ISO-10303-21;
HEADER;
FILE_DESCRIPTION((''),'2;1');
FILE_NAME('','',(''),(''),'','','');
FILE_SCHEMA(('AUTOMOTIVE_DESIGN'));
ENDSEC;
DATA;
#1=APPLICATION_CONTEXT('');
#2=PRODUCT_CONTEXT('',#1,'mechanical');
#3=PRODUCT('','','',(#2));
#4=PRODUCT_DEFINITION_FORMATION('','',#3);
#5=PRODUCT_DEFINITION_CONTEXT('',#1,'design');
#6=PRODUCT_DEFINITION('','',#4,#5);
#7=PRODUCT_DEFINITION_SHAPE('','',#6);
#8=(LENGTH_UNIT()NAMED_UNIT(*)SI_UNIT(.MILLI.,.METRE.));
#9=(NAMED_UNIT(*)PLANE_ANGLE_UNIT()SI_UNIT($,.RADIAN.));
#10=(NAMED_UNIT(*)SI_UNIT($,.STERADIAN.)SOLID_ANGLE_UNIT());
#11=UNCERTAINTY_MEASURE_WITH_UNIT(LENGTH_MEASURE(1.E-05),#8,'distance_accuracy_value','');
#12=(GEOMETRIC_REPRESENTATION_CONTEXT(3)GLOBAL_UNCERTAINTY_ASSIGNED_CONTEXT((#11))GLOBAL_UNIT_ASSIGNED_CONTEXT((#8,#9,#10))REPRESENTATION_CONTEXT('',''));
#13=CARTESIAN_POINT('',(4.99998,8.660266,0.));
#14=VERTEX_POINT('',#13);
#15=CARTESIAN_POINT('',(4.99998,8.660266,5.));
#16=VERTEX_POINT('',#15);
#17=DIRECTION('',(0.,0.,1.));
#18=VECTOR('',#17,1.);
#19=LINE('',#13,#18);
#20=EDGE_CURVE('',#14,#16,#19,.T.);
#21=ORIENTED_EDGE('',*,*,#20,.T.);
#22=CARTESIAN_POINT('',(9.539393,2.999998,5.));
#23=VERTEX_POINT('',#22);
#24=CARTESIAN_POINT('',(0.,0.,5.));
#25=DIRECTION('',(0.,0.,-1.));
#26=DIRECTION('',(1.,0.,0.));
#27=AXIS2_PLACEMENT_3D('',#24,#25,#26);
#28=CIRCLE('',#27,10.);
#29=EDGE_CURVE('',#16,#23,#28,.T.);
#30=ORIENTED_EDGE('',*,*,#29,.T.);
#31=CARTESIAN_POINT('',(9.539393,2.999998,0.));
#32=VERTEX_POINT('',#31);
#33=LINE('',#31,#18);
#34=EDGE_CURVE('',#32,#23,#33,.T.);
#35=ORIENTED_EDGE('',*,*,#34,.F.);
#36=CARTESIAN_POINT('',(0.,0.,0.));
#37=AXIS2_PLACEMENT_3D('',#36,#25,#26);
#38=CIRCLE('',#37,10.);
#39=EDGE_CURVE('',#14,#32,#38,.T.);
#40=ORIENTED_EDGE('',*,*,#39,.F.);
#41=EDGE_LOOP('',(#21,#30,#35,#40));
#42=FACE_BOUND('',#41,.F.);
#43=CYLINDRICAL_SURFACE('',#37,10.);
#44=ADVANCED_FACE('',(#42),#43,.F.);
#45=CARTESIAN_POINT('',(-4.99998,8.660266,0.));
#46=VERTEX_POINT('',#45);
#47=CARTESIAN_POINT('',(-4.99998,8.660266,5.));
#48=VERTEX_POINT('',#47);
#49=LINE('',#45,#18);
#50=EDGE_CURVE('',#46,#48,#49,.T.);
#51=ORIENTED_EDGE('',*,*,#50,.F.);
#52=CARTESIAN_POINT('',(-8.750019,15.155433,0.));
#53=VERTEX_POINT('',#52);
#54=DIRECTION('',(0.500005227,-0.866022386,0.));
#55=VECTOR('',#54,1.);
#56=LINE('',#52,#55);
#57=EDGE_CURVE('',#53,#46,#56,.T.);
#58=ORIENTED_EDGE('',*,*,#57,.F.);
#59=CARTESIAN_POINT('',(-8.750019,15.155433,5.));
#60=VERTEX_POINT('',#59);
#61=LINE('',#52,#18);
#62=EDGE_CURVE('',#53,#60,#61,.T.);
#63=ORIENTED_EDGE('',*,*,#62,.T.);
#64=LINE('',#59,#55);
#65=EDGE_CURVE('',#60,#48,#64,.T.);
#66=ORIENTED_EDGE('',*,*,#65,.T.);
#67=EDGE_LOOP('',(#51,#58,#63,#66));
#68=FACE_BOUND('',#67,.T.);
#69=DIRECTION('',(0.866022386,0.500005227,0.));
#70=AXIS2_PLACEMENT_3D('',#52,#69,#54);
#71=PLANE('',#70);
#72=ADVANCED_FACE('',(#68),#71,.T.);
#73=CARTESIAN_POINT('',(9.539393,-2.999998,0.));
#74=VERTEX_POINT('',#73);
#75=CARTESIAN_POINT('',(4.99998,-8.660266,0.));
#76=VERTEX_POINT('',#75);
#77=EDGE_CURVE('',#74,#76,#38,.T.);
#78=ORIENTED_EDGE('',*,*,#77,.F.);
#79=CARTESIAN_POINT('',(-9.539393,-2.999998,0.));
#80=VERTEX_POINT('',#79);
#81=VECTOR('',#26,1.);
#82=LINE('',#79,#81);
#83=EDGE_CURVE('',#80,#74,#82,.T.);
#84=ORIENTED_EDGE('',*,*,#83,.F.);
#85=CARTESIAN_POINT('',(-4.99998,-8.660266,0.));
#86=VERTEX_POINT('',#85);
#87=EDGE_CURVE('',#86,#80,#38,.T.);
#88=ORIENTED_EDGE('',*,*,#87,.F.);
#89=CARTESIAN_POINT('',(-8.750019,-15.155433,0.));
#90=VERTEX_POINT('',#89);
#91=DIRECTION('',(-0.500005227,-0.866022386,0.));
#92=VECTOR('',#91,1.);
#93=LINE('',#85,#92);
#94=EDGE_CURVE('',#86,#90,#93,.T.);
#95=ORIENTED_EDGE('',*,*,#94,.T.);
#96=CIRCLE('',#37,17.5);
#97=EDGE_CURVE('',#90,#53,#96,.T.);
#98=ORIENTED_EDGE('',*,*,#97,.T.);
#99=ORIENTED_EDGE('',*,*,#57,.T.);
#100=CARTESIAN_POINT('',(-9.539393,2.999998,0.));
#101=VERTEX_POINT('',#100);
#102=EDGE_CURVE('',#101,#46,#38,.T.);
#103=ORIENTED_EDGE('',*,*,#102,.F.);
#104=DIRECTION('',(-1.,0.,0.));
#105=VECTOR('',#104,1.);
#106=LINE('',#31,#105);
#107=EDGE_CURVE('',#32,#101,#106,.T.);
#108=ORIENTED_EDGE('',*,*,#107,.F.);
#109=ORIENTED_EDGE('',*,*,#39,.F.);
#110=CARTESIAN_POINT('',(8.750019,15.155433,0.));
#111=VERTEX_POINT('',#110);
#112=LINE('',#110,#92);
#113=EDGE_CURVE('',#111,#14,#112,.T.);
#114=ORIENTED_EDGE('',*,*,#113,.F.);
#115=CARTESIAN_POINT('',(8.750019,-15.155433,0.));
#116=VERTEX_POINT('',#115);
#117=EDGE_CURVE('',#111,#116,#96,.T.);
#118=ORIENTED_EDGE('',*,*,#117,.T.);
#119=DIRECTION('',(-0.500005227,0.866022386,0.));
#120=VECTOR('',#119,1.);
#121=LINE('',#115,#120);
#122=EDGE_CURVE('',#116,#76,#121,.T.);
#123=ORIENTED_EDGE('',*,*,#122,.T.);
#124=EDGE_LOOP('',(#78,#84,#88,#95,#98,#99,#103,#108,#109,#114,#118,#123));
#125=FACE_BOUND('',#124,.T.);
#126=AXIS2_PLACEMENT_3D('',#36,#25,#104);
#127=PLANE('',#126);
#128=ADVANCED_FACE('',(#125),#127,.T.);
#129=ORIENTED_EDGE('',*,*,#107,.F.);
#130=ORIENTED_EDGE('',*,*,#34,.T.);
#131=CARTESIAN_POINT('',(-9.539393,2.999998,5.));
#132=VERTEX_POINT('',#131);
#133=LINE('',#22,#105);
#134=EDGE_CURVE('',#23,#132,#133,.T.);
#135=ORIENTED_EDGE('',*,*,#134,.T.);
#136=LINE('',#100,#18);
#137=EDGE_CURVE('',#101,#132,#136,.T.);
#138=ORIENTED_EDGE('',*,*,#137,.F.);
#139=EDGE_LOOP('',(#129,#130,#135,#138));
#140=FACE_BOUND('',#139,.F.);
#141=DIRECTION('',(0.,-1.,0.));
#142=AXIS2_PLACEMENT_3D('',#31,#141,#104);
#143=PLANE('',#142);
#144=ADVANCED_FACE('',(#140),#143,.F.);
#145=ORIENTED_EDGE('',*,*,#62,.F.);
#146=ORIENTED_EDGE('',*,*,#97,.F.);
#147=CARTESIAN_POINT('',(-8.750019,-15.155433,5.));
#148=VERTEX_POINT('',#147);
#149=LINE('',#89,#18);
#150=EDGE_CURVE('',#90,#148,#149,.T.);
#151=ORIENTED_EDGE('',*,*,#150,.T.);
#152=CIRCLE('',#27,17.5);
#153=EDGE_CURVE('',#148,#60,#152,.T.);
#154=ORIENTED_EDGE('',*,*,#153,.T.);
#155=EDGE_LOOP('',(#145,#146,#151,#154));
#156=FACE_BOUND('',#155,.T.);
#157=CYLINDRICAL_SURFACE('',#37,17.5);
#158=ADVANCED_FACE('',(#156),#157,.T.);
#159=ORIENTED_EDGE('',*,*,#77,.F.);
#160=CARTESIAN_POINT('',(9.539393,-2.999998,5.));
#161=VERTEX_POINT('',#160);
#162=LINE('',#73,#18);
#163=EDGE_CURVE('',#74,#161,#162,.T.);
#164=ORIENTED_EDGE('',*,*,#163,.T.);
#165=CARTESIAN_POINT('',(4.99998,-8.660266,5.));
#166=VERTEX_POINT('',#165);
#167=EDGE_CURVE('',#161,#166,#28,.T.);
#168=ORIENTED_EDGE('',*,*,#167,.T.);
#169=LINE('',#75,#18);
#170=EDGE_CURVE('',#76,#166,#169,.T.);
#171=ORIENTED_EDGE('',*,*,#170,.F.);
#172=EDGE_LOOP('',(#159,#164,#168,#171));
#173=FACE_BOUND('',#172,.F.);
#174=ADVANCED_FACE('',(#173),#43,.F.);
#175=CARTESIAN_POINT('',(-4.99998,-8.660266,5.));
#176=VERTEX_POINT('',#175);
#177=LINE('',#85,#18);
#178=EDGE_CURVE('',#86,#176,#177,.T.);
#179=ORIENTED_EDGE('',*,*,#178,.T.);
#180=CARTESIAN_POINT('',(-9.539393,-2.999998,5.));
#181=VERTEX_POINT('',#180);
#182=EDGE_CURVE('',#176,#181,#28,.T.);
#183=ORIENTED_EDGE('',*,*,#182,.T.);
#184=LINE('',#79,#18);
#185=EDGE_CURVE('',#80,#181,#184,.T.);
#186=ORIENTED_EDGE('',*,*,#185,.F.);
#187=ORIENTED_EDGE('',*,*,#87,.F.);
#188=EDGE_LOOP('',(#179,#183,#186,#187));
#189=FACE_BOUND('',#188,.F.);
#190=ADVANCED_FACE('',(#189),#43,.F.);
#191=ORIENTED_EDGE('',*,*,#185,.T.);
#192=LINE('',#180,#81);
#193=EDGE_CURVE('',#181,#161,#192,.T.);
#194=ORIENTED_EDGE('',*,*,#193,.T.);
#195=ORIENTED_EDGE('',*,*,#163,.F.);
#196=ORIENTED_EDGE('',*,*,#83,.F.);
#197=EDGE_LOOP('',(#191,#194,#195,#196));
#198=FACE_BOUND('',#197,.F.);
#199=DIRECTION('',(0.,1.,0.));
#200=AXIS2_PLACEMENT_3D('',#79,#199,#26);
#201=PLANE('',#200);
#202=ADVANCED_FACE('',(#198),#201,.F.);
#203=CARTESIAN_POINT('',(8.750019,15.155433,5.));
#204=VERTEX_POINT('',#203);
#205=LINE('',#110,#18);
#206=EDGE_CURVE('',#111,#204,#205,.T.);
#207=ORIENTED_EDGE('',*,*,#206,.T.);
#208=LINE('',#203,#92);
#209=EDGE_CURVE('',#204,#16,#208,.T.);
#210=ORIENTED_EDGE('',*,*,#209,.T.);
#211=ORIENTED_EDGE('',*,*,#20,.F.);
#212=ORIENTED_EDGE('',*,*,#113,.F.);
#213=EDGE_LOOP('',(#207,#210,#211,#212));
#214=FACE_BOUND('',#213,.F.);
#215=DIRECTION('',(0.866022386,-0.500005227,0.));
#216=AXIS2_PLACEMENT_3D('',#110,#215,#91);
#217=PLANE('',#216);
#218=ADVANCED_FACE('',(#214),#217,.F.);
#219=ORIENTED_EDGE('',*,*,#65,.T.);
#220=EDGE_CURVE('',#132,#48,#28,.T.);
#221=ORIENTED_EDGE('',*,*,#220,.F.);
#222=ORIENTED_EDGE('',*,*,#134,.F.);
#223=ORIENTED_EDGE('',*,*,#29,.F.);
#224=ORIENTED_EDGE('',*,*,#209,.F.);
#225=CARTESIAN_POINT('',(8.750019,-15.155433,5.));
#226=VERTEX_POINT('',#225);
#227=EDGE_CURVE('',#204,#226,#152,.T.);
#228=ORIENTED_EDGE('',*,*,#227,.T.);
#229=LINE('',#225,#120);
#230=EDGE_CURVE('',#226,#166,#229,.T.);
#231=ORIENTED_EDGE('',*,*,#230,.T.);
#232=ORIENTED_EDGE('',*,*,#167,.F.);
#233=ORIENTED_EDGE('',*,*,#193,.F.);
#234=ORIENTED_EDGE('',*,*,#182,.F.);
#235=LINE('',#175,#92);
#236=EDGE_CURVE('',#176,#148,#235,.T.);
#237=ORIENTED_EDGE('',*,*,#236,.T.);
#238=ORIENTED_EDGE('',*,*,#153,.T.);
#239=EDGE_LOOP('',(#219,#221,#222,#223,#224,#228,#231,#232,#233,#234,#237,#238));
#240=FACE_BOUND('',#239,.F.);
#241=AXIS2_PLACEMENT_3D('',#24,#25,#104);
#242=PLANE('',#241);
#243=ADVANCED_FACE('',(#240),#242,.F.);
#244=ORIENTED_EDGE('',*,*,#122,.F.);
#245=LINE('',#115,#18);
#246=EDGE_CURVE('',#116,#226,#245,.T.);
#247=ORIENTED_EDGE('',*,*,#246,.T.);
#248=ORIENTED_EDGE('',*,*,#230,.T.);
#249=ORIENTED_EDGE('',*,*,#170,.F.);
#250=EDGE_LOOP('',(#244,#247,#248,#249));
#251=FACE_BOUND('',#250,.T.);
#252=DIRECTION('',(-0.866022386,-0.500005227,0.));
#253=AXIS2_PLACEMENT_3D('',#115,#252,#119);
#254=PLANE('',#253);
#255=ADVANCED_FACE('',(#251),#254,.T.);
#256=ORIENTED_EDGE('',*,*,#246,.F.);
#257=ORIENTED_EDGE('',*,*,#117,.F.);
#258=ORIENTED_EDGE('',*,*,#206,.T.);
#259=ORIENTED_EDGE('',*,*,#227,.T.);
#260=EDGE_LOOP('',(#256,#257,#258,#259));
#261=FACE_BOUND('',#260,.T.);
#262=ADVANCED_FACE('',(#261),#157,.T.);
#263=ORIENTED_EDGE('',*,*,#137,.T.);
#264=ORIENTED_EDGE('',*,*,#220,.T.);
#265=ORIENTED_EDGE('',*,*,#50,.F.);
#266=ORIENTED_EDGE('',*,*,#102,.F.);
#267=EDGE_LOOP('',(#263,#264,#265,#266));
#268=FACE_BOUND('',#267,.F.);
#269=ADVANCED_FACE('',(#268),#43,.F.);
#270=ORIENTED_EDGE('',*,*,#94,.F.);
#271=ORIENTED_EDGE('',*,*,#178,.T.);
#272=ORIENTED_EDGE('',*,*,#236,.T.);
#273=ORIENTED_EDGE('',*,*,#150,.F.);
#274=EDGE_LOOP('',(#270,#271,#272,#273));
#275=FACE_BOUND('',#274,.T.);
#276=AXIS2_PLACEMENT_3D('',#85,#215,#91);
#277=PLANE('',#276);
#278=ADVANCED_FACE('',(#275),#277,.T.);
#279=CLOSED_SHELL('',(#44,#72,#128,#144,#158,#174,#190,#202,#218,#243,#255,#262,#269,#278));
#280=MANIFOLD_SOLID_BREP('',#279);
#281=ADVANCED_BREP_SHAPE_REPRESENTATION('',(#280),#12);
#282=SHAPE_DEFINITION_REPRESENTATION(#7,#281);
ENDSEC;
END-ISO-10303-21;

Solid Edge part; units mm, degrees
sketch "Sketch1" plane through (0, 0, 0) normal (0, 0, 1) x (1, 0, 0)
  arc A0 (8.75, 15.1554) -> (8.75, -15.1554) centre (0, 0) cw
  line L0 (8.75, -15.1554) -> (5, -8.6603)
  arc A1 (9.5394, -3) -> (5, -8.6603) centre (0, 0) cw
  line L1 (-9.5394, -3) -> (9.5394, -3)
  arc A2 (-5, -8.6603) -> (-9.5394, -3) centre (0, 0) cw
  line L2 (-5, -8.6603) -> (-8.75, -15.1554)
  line L3 (-8.75, 15.1554) -> (-5, 8.6603)
  arc A3 (-9.5394, 3) -> (-5, 8.6603) centre (0, 0) cw
  line L4 (9.5394, 3) -> (-9.5394, 3)
  line L5 (8.75, 15.1554) -> (5, 8.6603)
  arc A4 (-8.75, -15.1554) -> (-8.75, 15.1554) centre (0, 0) cw
  arc A5 (5, 8.6603) -> (9.5394, 3) centre (0, 0) cw
extrude "Protrusion1" add sketch "Sketch1" along normal blind 5
